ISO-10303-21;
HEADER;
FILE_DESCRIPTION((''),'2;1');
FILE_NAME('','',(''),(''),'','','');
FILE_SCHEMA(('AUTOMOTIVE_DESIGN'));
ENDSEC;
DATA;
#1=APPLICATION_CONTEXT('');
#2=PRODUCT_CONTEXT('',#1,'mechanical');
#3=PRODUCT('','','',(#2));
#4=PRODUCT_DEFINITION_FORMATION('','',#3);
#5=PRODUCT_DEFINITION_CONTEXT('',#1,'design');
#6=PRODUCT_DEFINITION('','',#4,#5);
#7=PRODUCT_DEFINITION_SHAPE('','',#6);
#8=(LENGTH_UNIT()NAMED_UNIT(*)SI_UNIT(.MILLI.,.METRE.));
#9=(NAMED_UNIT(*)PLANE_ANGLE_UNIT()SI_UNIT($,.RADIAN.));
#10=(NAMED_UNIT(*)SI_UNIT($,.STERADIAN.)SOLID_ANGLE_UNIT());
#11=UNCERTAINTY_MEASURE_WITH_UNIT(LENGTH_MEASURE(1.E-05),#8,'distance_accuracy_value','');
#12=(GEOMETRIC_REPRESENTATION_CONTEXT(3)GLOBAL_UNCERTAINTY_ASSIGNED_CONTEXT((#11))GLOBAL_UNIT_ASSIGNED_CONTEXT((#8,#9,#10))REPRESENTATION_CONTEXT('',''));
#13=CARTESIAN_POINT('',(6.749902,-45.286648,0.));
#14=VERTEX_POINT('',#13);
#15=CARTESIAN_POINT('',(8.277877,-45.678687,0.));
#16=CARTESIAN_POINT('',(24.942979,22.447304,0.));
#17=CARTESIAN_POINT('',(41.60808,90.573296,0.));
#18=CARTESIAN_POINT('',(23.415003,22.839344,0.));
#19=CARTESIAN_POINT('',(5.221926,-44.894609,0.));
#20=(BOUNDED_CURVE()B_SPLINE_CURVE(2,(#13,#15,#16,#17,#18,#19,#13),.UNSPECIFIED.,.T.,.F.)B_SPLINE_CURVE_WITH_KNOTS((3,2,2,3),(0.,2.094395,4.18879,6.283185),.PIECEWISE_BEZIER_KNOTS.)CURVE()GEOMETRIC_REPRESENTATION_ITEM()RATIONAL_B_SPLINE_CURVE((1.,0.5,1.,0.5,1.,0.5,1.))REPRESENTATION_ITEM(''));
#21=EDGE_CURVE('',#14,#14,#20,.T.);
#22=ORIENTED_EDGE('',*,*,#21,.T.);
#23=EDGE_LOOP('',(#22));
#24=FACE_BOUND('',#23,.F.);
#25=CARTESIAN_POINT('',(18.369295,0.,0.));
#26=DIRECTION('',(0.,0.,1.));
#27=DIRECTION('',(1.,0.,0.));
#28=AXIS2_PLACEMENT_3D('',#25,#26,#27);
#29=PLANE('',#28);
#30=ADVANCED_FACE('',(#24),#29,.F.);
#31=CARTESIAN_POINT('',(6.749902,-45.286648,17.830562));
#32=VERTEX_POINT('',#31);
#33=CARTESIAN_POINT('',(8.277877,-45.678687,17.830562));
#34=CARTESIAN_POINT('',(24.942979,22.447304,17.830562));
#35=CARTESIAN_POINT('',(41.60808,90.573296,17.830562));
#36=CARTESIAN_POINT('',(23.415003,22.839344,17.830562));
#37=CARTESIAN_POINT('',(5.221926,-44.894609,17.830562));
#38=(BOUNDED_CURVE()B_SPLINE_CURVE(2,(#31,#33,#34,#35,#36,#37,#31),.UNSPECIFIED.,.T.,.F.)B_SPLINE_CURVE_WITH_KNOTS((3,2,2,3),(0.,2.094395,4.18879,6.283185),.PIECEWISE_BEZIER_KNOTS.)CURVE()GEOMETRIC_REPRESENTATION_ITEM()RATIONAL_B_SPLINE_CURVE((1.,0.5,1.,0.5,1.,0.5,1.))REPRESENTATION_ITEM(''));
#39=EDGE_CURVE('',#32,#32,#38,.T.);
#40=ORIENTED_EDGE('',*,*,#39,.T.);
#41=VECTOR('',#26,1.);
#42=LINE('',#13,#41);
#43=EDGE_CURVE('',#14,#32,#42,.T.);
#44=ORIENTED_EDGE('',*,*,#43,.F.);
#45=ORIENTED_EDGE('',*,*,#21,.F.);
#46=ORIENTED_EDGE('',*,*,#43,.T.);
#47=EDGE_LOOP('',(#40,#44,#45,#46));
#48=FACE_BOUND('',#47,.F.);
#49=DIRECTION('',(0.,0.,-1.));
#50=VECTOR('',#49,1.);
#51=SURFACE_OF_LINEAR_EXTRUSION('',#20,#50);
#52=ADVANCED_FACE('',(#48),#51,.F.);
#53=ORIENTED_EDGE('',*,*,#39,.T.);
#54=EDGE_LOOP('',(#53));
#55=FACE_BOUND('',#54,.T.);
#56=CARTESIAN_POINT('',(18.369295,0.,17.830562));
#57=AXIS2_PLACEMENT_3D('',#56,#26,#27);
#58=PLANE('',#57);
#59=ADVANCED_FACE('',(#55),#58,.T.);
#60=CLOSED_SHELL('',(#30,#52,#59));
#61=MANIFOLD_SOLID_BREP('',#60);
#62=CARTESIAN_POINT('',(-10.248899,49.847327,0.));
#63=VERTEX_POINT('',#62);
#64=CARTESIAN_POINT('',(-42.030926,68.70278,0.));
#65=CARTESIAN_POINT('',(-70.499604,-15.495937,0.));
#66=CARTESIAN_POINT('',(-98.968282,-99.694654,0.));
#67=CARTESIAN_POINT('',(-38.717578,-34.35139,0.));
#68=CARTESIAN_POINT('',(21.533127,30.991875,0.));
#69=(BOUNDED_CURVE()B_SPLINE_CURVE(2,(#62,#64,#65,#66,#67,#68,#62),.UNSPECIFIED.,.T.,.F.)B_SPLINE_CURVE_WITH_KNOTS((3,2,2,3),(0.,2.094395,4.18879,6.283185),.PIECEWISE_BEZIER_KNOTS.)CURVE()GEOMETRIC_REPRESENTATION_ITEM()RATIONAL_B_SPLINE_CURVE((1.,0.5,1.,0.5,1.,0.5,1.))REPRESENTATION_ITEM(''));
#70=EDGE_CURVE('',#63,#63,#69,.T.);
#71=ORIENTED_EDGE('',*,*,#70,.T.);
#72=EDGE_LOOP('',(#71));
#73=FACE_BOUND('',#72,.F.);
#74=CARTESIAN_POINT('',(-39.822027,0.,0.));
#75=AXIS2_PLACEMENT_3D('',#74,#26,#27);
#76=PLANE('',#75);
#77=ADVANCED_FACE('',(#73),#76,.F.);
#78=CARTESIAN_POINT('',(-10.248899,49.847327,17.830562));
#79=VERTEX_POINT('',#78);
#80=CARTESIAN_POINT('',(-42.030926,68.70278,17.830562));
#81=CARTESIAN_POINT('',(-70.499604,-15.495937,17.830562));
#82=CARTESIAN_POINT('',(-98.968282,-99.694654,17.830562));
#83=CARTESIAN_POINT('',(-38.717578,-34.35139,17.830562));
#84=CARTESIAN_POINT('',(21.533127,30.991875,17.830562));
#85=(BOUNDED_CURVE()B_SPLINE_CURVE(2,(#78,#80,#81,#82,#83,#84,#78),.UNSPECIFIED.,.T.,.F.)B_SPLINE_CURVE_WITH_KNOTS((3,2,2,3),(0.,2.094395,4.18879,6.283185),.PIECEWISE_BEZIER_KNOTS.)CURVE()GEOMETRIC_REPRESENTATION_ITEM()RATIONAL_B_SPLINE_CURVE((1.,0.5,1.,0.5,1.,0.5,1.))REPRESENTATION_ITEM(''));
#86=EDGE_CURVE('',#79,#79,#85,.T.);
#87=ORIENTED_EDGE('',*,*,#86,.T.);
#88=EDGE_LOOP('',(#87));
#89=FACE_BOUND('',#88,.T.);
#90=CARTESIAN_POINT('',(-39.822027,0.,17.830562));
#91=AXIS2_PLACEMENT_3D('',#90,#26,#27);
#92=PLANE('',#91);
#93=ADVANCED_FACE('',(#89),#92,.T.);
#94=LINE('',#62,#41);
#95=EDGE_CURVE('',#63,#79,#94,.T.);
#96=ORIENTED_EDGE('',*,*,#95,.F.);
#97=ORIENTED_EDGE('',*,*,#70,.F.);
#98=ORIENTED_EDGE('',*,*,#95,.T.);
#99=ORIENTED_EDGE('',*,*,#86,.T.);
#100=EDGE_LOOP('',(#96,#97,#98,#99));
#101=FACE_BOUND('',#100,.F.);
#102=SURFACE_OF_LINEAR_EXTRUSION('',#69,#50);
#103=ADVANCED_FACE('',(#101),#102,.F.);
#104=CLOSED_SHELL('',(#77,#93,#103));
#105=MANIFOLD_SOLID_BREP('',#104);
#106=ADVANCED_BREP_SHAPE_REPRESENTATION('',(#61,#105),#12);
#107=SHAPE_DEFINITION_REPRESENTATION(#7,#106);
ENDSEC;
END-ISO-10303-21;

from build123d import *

# Parameters (mm, degrees)
F1_DEPTH = 17.830562


with BuildPart() as f1:
    # F0 (on Top) → F1 (new body)
    with BuildSketch(Plane.XY):
        with BuildLine():
            add(Edge.make_bspline(
                [(-10.248899, 49.847327), (-42.030926, 68.70278), (-70.499604, -15.495937), (-98.968282, -99.694654), (-38.717578, -34.35139), (21.533127, 30.991875), (-10.248899, 49.847327)],
                knots=[0, 0, 0, 2.094395, 2.094395, 4.18879, 4.18879, 6.283185, 6.283185, 6.283185], degree=2, weights=[1, 0.5, 1, 0.5, 1, 0.5, 1]))
        make_face()
        with BuildLine():
            add(Edge.make_bspline(
                [(6.749902, -45.286648), (8.277877, -45.678687), (24.942979, 22.447304), (41.60808, 90.573296), (23.415003, 22.839344), (5.221926, -44.894609), (6.749902, -45.286648)],
                knots=[0, 0, 0, 2.094395, 2.094395, 4.18879, 4.18879, 6.283185, 6.283185, 6.283185], degree=2, weights=[1, 0.5, 1, 0.5, 1, 0.5, 1]))
        make_face()
    extrude(amount=F1_DEPTH)


solid = f1.part
